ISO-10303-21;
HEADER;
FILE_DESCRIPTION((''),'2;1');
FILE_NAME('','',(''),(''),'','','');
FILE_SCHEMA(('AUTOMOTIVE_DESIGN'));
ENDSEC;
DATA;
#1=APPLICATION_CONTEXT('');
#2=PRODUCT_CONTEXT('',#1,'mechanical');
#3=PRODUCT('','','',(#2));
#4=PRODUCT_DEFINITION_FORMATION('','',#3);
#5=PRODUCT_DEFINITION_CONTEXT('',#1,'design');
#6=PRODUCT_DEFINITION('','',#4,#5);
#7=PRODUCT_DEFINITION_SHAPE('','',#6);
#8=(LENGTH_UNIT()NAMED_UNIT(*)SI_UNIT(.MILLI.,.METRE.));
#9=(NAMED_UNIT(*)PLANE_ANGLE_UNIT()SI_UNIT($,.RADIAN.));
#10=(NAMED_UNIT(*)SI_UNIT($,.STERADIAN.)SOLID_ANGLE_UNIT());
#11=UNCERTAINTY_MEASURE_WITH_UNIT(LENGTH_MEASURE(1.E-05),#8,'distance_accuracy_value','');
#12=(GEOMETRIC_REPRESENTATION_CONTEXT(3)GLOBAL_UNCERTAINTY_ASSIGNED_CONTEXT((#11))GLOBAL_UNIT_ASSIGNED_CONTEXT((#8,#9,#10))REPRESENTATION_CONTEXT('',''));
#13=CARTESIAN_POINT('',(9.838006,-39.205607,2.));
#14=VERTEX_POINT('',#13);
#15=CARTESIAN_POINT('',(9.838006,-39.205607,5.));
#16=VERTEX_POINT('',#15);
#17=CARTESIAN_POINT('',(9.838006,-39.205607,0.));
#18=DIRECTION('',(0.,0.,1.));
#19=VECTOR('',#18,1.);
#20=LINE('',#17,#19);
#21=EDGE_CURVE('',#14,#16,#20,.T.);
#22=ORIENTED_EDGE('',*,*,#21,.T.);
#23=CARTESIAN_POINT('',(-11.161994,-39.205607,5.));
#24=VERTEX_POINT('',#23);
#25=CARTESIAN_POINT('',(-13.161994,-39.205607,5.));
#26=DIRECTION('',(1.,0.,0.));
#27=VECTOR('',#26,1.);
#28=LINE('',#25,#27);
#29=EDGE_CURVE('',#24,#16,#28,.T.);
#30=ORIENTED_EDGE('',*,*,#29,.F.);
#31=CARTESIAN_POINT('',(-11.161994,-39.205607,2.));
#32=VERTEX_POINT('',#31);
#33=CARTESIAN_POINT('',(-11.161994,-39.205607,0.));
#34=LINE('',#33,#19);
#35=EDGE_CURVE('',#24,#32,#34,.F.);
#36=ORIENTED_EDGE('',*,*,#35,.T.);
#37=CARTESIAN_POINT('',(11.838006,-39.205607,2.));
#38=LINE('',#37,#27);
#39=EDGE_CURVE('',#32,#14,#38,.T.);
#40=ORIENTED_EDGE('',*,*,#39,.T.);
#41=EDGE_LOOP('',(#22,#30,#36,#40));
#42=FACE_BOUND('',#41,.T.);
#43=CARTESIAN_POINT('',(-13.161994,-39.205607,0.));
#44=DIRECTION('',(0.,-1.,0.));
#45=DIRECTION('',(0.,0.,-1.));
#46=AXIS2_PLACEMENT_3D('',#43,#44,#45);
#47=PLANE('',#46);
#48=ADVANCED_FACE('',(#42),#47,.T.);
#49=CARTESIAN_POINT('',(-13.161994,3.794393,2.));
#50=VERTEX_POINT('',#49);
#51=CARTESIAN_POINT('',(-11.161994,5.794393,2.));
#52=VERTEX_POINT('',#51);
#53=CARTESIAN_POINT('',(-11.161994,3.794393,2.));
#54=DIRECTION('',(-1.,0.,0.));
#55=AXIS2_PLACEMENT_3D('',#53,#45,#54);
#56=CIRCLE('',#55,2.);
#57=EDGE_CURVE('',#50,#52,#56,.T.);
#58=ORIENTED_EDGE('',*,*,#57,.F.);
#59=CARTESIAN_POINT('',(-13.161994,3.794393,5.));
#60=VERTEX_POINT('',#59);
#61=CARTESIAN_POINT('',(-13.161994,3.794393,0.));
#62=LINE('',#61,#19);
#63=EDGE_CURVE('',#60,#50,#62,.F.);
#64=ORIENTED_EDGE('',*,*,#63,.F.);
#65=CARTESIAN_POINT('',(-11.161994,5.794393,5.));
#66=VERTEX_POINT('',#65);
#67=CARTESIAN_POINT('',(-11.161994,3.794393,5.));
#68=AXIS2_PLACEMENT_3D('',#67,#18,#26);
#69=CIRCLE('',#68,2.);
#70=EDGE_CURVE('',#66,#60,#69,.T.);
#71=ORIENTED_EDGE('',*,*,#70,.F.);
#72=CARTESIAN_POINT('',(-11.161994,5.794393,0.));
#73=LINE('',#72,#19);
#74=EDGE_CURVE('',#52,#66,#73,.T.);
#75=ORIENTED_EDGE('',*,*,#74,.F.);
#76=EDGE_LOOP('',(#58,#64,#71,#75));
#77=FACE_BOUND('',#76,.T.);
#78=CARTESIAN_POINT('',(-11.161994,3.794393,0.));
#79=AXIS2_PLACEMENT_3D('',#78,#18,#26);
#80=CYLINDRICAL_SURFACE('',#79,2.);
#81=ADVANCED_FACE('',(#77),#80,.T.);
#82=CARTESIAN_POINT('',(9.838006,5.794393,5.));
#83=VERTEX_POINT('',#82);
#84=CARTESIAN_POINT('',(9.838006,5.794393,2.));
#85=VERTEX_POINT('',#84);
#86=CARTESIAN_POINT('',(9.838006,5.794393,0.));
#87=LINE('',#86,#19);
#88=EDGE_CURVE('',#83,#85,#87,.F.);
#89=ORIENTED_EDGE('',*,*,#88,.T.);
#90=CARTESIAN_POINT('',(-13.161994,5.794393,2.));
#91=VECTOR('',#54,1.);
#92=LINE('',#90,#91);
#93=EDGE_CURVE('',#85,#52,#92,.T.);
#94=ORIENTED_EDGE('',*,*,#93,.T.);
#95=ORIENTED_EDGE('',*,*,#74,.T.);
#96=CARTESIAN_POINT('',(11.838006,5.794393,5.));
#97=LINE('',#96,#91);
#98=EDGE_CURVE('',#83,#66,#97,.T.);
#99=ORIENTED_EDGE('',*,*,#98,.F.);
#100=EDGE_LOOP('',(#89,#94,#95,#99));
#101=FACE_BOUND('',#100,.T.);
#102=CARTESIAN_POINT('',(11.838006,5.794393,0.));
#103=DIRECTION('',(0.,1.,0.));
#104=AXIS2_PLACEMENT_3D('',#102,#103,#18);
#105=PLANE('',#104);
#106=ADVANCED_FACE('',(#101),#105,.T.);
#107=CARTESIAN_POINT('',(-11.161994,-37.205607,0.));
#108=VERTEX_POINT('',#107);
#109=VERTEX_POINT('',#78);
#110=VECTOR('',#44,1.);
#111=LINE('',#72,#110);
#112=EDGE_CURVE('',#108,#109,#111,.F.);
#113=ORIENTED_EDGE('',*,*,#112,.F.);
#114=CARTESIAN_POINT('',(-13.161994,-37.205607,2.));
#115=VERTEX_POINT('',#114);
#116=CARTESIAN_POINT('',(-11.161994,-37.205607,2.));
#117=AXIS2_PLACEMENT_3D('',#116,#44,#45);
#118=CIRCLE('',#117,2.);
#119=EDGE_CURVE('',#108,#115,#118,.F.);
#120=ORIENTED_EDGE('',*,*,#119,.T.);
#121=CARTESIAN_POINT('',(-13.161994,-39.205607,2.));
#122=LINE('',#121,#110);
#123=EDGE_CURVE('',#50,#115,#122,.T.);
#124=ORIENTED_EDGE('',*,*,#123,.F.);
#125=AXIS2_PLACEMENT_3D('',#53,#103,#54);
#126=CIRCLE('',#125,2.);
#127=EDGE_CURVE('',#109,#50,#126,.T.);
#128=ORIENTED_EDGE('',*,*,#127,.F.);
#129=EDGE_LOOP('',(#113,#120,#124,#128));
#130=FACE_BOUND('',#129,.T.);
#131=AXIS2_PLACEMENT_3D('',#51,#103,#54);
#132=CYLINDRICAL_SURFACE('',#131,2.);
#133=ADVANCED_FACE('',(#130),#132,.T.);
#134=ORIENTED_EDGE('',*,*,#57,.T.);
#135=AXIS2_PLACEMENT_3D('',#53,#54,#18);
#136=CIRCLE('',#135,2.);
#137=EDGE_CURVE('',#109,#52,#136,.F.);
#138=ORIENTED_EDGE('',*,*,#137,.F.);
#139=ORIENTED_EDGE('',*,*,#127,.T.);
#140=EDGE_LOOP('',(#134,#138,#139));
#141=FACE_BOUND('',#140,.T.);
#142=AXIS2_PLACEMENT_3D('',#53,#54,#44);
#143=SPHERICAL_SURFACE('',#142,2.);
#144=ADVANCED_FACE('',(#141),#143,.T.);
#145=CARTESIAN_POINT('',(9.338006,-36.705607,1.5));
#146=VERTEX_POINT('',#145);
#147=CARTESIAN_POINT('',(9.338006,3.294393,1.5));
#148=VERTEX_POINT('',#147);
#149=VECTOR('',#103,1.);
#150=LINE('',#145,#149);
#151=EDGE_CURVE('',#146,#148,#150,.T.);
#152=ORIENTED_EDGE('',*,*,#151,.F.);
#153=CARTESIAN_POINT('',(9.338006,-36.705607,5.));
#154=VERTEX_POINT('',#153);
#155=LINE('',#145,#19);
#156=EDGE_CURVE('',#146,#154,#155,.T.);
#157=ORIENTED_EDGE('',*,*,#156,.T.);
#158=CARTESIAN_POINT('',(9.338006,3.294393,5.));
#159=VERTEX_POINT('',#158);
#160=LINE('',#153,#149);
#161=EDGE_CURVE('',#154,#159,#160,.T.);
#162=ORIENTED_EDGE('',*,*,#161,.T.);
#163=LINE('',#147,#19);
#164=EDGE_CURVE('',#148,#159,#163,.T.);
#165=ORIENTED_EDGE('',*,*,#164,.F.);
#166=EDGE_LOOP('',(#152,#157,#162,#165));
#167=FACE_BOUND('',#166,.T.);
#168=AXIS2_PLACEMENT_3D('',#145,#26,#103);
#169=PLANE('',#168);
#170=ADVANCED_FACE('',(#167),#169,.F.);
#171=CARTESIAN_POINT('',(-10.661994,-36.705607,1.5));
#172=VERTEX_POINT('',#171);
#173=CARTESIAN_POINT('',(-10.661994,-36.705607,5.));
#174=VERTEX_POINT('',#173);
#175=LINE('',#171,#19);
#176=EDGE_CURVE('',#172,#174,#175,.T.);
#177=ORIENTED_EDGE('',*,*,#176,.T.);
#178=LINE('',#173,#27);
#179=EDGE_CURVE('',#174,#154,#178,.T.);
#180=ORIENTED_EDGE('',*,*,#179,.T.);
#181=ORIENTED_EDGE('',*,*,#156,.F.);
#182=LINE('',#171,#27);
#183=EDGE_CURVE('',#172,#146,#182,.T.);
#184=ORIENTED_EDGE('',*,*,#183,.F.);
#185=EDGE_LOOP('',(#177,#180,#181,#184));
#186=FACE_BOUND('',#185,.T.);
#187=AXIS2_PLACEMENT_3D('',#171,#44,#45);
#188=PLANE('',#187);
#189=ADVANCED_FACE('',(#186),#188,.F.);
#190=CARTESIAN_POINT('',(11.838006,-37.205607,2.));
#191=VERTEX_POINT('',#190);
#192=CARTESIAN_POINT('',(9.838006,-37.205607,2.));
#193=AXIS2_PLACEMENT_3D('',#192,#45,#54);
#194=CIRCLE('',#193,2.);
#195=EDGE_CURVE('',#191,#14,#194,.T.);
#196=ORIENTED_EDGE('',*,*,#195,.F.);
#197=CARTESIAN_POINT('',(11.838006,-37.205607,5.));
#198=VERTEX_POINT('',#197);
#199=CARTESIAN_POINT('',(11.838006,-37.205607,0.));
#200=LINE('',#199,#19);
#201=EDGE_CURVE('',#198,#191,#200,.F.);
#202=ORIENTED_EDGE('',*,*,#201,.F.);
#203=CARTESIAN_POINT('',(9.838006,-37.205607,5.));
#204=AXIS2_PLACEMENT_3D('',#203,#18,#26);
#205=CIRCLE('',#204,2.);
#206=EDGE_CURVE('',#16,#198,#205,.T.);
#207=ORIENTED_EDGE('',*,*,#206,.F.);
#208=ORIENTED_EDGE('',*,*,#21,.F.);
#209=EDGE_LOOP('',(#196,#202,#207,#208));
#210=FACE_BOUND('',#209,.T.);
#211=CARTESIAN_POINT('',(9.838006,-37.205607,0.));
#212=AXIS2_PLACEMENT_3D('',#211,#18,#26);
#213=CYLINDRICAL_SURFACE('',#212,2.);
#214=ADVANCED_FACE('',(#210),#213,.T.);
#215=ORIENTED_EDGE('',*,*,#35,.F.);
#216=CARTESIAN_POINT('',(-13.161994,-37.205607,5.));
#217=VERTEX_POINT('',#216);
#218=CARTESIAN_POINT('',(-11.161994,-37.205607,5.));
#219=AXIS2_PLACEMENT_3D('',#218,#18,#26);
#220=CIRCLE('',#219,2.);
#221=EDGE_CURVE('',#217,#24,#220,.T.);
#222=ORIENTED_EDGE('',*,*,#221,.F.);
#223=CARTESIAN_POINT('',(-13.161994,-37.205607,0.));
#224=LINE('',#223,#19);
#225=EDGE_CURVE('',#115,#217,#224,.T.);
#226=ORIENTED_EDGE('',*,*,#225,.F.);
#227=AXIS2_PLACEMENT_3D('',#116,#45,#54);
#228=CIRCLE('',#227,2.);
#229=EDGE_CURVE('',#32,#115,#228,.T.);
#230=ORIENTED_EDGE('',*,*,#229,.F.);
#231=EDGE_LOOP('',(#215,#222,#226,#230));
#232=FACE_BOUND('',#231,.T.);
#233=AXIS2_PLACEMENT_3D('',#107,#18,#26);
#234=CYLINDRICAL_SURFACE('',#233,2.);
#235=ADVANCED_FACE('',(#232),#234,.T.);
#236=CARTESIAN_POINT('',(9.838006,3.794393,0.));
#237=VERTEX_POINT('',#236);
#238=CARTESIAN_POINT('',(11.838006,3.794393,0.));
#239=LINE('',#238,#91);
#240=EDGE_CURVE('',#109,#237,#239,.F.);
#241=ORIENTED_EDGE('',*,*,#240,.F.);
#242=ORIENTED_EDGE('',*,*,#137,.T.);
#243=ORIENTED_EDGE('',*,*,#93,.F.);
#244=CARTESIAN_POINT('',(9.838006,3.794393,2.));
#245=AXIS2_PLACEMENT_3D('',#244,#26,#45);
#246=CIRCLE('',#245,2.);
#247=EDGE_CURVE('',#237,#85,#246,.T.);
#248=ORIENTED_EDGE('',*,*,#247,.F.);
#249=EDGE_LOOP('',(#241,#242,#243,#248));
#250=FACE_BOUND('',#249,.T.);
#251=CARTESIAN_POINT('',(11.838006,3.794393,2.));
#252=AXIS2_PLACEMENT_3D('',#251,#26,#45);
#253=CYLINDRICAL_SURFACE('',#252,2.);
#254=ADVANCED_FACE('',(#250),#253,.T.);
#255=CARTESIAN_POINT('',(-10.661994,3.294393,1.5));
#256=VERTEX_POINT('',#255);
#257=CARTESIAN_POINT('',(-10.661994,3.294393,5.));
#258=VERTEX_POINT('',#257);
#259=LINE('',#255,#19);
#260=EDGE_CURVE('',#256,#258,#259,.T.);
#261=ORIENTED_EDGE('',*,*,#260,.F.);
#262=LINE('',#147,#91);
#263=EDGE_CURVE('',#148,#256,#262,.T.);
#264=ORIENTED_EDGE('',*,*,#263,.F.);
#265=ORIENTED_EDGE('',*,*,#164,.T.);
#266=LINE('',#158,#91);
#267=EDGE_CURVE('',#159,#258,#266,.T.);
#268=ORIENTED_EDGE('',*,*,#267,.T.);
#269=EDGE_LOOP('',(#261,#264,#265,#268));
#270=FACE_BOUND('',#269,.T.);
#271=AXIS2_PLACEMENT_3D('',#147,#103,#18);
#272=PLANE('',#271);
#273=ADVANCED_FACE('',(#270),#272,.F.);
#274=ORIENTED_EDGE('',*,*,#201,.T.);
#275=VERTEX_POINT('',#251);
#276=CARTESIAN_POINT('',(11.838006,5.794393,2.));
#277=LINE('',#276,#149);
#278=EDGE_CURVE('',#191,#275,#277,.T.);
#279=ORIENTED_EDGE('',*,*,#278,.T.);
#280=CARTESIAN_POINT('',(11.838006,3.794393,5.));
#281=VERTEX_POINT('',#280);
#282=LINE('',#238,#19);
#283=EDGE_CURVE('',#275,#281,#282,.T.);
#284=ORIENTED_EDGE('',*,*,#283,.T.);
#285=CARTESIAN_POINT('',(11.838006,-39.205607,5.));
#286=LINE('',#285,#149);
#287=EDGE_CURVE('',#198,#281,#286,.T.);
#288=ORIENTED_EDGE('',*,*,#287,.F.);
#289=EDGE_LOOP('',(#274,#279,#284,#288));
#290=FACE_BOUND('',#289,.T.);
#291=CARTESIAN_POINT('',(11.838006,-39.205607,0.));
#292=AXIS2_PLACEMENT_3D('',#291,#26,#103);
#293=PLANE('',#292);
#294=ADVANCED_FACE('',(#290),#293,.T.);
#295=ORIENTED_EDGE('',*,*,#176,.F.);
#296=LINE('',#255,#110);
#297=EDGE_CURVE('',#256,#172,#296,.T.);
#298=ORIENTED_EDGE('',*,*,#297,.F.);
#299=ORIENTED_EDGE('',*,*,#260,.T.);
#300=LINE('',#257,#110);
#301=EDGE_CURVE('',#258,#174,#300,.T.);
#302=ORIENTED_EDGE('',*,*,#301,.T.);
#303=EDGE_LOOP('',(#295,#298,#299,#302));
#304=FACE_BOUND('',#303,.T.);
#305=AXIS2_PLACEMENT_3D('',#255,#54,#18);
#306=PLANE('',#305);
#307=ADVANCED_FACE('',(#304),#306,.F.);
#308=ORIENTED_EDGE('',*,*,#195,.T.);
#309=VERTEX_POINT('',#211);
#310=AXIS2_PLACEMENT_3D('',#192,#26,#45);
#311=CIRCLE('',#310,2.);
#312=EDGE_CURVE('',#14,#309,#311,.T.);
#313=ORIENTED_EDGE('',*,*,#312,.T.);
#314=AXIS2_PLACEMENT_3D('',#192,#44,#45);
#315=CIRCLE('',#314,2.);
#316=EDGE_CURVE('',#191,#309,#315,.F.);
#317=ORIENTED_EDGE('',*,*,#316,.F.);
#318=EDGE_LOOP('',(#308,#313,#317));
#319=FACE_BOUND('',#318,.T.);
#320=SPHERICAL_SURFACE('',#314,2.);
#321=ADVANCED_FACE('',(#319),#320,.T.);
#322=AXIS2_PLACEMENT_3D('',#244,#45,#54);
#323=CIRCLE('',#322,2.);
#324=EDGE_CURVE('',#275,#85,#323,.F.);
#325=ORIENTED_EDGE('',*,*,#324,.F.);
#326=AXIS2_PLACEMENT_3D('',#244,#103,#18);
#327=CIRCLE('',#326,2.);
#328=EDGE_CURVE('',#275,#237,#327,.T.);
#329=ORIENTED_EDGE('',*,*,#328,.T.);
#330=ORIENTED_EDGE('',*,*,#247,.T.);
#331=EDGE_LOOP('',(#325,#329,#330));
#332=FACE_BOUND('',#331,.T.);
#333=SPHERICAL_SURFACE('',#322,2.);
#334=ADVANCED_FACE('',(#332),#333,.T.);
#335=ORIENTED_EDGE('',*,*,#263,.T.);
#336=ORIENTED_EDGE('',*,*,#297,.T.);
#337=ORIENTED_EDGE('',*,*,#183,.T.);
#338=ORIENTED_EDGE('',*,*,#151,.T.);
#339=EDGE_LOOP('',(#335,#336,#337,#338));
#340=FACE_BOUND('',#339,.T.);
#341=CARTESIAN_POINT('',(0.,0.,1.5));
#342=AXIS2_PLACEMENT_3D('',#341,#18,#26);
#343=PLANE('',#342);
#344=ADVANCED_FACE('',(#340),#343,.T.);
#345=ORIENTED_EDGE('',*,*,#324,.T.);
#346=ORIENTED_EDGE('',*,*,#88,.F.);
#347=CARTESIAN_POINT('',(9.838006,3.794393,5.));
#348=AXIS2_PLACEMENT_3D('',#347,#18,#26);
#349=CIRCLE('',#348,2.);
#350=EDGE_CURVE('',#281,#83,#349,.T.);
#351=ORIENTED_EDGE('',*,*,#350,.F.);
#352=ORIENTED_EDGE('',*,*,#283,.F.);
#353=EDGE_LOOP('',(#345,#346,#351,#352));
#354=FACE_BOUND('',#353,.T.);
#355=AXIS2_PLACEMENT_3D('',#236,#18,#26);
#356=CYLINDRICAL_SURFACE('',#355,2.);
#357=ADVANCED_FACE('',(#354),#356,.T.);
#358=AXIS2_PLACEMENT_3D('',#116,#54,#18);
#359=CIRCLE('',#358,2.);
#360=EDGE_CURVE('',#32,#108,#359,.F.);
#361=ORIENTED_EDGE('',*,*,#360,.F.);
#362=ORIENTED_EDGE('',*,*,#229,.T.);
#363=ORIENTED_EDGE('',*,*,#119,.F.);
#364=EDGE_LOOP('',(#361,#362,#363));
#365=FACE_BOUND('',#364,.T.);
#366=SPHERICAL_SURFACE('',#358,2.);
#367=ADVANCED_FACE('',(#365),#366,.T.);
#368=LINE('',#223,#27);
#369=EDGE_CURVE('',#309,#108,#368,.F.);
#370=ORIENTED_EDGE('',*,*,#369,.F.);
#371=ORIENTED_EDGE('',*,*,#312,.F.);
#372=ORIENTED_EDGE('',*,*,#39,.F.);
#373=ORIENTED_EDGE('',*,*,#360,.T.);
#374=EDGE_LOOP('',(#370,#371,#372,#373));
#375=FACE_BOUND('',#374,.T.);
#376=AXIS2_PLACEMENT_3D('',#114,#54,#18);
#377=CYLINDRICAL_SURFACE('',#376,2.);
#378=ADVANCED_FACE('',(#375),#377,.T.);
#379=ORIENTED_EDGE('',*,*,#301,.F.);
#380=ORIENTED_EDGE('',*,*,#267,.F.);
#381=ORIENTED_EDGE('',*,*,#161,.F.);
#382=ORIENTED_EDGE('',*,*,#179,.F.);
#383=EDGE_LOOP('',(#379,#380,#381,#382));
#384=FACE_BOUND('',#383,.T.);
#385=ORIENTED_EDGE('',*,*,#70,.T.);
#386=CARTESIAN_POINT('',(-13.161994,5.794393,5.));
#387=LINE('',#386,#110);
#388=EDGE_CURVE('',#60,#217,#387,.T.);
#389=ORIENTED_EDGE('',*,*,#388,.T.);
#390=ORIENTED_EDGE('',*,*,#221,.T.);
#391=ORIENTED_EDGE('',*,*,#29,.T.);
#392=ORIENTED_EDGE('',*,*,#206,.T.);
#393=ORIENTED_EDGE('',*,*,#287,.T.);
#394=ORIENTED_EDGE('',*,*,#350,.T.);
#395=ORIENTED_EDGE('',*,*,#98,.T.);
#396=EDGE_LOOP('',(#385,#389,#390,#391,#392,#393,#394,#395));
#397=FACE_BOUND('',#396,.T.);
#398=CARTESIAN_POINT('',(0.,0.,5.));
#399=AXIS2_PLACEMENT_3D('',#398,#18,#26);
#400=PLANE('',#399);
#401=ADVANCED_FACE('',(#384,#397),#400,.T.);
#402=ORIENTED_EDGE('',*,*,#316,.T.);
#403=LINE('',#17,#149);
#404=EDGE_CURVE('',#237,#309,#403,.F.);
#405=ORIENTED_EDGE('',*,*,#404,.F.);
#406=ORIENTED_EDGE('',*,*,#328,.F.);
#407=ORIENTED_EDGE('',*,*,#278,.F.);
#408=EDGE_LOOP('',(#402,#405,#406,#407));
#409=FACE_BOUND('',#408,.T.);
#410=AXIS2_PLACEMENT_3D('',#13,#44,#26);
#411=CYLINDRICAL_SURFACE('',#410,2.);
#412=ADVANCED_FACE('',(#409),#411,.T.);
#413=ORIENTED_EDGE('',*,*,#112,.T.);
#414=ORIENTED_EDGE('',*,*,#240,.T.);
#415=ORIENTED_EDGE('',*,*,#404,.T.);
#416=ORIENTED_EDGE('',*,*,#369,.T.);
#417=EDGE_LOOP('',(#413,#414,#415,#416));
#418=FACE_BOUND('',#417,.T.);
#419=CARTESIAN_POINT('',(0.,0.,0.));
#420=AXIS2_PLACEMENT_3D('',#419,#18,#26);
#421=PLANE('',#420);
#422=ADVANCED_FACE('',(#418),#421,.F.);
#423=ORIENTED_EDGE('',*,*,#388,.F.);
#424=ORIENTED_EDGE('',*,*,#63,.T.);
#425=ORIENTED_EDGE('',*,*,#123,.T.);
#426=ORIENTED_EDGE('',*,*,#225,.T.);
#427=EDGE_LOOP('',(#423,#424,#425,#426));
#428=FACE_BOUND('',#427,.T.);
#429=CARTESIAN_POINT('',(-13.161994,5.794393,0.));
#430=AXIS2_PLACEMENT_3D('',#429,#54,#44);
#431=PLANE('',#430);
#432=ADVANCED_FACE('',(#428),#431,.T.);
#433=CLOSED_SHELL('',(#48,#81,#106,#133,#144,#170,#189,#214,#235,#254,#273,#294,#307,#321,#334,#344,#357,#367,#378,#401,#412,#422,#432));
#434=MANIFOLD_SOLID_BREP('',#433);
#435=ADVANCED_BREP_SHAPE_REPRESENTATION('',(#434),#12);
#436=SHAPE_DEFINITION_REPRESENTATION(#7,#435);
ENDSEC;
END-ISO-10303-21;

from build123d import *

# Parameters (mm, degrees)
IZIM1_W                     = 25
IZIM1_H                     = 45
Y_KSEKLIK_EKSTR_ZYON1_DEPTH = 5
IZIM2_W                     = 20
IZIM2_H                     = 40
KES_EKSTR_ZYON1_DEPTH       = 3.5
RADYUS1_R                   = 2


with BuildPart() as part:
    # Çizim1 → Yükseklik-Ekstrüzyon1 (new body)
    with BuildSketch(Plane.XY.offset(5)):
        with Locations((-0.661993769, -16.705607477)):
            Rectangle(IZIM1_W, IZIM1_H)
    extrude(amount=-Y_KSEKLIK_EKSTR_ZYON1_DEPTH)

    # Çizim2 → Kes-Ekstrüzyon1 (cut)
    with BuildSketch(Plane.XY.offset(5)):
        with Locations((-0.661993769, -16.705607477)):
            Rectangle(IZIM2_W, IZIM2_H)
    extrude(amount=-KES_EKSTR_ZYON1_DEPTH, mode=Mode.SUBTRACT)

    # Radyus1
    radyus1_edges = [part.edges().sort_by_distance(p)[0] for p in [
        (11.838006231, -16.705607477, 0),
        (-0.661993769, 5.794392523, 0),
        (-13.161993769, -16.705607477, 0),
        (-13.161993769, 5.794392523, 2.5),
        (11.838006231, 5.794392523, 2.5),
        (11.838006231, -39.205607477, 2.5),
        (-13.161993769, -39.205607477, 2.5),
        (-0.661993769, -39.205607477, 0),
    ]]
    fillet(radyus1_edges, radius=RADYUS1_R)


solid = part.part
